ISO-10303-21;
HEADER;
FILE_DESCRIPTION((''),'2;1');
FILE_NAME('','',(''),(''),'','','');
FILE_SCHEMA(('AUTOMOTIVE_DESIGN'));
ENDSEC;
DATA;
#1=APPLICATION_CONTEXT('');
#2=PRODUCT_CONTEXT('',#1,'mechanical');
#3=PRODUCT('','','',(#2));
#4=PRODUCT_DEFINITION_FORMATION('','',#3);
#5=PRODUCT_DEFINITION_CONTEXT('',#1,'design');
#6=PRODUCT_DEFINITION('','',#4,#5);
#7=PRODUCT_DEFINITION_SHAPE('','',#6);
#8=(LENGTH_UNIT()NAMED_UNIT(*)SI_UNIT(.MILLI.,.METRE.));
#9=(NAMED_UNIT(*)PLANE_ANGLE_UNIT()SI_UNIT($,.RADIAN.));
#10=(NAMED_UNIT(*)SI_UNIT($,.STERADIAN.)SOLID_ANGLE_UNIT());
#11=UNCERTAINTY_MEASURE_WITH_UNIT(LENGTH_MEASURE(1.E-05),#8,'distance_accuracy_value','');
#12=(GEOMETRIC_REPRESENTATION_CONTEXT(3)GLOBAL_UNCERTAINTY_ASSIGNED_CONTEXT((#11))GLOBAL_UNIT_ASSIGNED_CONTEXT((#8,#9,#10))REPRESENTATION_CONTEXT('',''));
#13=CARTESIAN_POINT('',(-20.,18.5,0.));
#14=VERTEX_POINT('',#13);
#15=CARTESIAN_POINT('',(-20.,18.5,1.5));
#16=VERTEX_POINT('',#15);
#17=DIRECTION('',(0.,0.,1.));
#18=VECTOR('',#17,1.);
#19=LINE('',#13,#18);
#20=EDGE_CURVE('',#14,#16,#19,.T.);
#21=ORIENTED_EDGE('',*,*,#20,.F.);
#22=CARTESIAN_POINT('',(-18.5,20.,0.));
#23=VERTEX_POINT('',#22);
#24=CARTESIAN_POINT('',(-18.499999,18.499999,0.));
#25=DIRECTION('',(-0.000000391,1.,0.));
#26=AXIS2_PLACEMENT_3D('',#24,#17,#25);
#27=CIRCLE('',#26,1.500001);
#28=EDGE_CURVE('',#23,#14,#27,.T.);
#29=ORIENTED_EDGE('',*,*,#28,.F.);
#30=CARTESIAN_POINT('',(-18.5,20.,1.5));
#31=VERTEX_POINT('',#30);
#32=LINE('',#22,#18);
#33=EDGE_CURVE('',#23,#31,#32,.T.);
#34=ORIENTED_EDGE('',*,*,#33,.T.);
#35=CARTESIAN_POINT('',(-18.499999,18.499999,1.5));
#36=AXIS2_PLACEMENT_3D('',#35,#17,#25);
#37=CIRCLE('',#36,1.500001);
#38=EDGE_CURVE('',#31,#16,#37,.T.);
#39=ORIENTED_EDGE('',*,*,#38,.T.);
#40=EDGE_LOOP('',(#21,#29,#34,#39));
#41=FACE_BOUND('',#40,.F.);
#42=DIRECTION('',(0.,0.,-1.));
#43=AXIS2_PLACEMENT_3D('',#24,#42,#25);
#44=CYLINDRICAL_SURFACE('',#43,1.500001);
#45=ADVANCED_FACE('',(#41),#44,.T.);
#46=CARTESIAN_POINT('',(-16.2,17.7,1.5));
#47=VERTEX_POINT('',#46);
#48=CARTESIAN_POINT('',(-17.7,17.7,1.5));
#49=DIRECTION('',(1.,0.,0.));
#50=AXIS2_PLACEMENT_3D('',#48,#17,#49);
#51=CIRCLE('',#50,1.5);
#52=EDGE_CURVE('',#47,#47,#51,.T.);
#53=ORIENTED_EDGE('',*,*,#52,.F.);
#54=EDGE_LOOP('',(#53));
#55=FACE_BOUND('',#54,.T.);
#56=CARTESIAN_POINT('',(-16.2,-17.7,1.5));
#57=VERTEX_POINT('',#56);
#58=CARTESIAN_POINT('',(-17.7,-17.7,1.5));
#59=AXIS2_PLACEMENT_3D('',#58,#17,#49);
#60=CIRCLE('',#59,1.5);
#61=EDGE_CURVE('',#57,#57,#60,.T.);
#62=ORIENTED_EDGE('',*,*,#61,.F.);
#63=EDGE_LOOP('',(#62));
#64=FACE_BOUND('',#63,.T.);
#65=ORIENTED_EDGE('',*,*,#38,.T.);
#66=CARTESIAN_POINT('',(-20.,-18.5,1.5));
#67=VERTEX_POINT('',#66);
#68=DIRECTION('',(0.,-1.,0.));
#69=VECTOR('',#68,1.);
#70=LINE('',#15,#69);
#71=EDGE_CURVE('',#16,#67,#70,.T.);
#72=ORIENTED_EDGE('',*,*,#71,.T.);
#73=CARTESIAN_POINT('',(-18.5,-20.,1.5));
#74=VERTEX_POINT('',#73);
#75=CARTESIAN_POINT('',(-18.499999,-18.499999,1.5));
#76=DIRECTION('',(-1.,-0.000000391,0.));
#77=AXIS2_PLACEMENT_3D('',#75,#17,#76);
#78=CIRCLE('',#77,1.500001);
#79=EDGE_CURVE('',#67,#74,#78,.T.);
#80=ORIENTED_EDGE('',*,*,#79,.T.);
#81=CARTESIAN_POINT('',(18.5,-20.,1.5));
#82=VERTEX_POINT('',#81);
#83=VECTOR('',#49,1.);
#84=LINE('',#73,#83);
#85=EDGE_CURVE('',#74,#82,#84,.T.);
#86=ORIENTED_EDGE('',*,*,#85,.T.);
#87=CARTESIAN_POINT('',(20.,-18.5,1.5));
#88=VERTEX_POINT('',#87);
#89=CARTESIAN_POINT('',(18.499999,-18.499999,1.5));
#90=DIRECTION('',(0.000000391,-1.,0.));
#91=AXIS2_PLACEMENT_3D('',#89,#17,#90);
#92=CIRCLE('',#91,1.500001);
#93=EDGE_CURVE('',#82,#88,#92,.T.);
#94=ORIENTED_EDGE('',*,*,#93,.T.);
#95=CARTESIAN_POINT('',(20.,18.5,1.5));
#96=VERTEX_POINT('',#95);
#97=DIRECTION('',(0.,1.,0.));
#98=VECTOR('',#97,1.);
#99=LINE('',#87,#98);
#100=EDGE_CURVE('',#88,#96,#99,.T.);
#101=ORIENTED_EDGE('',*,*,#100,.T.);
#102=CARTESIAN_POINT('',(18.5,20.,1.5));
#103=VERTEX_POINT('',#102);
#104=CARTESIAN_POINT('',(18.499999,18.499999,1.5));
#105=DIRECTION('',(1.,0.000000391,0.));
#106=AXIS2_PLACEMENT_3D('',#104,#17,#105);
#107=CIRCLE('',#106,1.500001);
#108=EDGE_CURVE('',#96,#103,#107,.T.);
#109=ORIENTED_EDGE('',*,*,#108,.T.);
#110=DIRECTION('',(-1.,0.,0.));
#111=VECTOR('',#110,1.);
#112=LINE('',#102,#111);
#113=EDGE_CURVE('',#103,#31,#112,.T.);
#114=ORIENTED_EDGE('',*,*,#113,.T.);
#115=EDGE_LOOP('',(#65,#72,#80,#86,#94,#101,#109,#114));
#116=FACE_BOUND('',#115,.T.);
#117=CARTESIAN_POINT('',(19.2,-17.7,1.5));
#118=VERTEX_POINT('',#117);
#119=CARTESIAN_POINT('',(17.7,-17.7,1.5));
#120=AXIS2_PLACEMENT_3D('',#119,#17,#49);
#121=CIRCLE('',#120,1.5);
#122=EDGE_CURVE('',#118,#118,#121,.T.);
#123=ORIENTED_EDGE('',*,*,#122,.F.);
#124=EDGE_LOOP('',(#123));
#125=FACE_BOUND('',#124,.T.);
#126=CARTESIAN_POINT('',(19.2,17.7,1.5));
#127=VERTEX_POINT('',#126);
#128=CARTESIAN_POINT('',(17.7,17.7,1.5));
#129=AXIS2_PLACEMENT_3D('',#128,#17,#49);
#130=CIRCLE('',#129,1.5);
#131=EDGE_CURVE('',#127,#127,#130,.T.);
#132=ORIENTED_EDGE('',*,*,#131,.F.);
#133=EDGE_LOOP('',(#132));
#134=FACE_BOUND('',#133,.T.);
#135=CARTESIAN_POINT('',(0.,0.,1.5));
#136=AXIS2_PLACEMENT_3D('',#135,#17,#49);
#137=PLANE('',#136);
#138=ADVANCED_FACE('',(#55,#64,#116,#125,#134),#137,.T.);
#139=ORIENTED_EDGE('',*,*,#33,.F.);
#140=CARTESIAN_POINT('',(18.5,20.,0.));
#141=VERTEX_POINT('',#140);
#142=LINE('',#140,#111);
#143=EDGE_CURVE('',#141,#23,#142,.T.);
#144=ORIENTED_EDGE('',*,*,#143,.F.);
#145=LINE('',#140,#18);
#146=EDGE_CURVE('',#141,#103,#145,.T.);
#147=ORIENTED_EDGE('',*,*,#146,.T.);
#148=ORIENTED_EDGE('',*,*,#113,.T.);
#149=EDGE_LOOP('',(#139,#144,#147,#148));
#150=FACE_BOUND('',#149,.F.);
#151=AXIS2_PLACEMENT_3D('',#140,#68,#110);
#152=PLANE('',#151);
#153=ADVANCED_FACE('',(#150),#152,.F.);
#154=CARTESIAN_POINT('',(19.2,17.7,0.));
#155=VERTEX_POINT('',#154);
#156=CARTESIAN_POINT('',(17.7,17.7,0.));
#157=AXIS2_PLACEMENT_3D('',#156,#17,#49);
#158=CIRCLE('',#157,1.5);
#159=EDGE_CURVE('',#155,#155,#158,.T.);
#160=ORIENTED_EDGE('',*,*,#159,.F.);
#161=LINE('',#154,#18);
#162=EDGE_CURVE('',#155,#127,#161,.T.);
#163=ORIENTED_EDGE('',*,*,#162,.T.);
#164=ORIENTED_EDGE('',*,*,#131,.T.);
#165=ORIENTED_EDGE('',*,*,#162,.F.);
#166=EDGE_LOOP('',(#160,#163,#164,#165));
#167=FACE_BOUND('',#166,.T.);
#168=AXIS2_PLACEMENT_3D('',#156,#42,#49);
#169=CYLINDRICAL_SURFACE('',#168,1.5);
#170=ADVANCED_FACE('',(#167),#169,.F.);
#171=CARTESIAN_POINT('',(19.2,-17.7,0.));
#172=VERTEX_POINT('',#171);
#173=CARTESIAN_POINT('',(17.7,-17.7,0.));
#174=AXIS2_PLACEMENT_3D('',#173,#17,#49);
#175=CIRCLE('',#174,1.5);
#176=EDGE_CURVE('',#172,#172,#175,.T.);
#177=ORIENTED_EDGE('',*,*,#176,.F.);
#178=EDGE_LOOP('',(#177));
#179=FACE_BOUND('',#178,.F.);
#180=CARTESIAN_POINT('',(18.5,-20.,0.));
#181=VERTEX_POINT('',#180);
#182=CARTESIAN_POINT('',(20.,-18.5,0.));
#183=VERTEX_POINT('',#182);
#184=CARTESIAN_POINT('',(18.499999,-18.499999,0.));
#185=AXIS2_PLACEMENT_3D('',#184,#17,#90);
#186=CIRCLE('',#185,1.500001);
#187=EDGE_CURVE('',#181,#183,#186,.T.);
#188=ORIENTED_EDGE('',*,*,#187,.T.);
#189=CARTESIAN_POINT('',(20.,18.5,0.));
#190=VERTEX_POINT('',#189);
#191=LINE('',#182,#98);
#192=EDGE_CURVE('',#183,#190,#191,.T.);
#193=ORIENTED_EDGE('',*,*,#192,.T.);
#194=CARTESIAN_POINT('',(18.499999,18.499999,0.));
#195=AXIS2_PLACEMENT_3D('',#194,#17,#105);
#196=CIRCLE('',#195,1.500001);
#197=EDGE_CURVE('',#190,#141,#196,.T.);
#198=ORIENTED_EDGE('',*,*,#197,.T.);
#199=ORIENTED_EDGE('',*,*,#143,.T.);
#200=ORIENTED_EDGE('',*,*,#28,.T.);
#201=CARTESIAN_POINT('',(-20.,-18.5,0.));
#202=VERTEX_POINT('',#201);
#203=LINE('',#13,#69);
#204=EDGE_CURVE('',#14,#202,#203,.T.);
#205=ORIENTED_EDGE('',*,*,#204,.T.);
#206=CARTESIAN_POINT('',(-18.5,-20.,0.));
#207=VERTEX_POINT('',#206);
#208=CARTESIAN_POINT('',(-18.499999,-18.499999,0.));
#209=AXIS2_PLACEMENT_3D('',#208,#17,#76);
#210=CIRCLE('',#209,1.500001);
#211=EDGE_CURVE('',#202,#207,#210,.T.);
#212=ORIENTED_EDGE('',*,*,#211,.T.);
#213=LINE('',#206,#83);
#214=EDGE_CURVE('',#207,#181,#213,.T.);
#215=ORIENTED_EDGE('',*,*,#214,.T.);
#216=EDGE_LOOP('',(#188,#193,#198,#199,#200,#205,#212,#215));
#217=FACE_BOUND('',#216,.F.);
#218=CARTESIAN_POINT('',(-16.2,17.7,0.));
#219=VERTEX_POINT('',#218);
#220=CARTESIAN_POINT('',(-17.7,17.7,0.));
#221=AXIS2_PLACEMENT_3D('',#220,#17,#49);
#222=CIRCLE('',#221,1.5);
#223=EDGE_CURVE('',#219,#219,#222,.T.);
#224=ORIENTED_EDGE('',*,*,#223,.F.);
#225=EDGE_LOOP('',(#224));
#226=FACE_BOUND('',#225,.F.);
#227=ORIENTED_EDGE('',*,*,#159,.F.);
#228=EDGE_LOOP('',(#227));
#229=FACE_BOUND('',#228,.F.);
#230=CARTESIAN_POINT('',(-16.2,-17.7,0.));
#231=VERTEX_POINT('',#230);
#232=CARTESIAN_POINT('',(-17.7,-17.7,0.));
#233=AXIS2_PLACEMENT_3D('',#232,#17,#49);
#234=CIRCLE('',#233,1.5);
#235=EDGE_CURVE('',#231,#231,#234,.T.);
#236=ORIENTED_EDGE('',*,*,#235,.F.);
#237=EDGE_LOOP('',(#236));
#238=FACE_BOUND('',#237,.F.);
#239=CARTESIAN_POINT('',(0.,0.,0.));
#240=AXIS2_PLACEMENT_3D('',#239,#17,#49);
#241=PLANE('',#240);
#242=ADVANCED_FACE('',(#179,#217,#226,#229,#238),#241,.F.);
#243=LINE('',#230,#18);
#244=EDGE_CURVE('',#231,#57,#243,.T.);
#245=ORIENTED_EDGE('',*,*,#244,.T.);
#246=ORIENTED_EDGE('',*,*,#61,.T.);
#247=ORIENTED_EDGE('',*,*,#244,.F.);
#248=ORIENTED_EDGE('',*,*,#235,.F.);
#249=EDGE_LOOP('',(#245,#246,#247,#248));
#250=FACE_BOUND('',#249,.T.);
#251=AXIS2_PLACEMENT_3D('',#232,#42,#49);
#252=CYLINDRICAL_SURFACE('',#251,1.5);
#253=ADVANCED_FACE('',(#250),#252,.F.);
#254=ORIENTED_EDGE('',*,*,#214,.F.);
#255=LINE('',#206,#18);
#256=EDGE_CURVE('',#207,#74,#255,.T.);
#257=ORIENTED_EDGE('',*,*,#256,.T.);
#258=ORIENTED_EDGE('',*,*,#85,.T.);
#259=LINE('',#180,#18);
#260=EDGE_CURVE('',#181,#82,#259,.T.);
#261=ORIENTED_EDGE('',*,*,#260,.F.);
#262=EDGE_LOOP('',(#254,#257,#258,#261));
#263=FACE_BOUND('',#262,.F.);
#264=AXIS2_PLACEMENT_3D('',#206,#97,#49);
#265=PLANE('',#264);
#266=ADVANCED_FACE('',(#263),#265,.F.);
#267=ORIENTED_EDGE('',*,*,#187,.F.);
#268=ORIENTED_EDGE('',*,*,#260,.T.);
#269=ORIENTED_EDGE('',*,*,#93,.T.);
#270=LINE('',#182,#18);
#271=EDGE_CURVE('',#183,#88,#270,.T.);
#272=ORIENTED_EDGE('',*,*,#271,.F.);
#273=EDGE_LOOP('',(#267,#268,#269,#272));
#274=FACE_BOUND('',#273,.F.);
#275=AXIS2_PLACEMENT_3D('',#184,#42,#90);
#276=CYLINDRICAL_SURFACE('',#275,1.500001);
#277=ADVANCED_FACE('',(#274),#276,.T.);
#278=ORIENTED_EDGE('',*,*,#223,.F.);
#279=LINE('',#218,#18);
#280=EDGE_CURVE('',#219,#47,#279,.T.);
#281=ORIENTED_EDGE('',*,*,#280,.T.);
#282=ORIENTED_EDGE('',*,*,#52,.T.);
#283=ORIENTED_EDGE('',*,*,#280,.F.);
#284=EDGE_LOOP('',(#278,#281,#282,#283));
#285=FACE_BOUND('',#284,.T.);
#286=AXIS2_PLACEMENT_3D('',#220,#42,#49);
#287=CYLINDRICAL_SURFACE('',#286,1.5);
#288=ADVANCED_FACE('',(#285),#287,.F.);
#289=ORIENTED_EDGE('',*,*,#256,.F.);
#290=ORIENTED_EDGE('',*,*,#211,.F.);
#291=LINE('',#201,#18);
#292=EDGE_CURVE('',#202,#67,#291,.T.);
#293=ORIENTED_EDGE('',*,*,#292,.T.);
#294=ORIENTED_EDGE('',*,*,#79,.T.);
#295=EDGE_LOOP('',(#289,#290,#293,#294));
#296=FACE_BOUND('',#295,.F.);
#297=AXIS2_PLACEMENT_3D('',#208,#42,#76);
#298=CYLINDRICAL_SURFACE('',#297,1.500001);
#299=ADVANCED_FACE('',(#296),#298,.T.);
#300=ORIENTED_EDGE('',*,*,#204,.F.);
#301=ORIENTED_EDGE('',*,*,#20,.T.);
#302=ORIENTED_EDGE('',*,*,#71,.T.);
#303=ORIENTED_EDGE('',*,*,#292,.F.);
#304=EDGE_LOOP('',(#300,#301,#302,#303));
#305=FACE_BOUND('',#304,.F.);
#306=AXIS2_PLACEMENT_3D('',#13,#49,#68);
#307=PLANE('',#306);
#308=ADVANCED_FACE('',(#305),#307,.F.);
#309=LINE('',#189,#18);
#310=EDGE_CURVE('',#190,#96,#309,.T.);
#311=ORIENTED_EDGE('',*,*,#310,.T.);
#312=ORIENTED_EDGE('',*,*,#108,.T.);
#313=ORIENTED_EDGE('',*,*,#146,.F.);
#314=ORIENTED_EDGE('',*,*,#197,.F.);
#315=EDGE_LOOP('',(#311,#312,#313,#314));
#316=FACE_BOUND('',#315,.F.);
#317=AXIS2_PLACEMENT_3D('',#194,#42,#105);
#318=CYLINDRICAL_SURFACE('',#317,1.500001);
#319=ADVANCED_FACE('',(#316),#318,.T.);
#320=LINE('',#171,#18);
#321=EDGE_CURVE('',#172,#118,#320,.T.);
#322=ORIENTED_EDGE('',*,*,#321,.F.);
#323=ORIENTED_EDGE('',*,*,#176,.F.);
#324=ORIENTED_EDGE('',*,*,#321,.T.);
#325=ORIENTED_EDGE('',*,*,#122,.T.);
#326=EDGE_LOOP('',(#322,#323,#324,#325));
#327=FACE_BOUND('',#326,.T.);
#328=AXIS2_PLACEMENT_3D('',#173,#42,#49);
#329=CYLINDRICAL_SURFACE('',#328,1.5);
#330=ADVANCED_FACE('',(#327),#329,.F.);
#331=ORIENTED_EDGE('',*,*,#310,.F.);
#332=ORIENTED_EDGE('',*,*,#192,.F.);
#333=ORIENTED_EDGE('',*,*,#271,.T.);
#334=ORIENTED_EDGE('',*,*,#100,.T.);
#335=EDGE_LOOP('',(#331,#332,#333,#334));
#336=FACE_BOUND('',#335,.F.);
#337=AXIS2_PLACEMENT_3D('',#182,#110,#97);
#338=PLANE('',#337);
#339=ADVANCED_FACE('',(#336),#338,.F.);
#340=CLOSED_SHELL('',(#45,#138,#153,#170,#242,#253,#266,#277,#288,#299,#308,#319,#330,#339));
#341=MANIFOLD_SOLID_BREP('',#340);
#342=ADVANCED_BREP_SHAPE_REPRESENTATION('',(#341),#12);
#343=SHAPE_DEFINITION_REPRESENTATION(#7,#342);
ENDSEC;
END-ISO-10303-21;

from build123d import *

# Parameters (mm, degrees)
F0_R     = 1.5
F1_DEPTH = 1.5


with BuildPart() as f1:
    # F0 (on Top) → F1 (new body)
    with BuildSketch(Plane.XY):
        with BuildLine():
            ThreePointArc((-20, -18.5), (-19.56066, -19.56066), (-18.5, -20))
            Line((-18.5, -20), (18.5, -20))
            ThreePointArc((18.5, -20), (19.56066, -19.56066), (20, -18.5))
            Line((20, -18.5), (20, 18.5))
            ThreePointArc((20, 18.5), (19.56066, 19.56066), (18.5, 20))
            Line((18.5, 20), (-18.5, 20))
            ThreePointArc((-18.5, 20), (-19.56066, 19.56066), (-20, 18.5))
            Line((-20, 18.5), (-20, -18.5))
        make_face()
        with Locations((-17.7, -17.7)):
            Circle(F0_R, mode=Mode.SUBTRACT)
        with Locations((17.7, -17.7)):
            Circle(F0_R, mode=Mode.SUBTRACT)
        with Locations((-17.7, 17.7)):
            Circle(F0_R, mode=Mode.SUBTRACT)
        with Locations((17.7, 17.7)):
            Circle(F0_R, mode=Mode.SUBTRACT)
    extrude(amount=F1_DEPTH)


solid = f1.part
